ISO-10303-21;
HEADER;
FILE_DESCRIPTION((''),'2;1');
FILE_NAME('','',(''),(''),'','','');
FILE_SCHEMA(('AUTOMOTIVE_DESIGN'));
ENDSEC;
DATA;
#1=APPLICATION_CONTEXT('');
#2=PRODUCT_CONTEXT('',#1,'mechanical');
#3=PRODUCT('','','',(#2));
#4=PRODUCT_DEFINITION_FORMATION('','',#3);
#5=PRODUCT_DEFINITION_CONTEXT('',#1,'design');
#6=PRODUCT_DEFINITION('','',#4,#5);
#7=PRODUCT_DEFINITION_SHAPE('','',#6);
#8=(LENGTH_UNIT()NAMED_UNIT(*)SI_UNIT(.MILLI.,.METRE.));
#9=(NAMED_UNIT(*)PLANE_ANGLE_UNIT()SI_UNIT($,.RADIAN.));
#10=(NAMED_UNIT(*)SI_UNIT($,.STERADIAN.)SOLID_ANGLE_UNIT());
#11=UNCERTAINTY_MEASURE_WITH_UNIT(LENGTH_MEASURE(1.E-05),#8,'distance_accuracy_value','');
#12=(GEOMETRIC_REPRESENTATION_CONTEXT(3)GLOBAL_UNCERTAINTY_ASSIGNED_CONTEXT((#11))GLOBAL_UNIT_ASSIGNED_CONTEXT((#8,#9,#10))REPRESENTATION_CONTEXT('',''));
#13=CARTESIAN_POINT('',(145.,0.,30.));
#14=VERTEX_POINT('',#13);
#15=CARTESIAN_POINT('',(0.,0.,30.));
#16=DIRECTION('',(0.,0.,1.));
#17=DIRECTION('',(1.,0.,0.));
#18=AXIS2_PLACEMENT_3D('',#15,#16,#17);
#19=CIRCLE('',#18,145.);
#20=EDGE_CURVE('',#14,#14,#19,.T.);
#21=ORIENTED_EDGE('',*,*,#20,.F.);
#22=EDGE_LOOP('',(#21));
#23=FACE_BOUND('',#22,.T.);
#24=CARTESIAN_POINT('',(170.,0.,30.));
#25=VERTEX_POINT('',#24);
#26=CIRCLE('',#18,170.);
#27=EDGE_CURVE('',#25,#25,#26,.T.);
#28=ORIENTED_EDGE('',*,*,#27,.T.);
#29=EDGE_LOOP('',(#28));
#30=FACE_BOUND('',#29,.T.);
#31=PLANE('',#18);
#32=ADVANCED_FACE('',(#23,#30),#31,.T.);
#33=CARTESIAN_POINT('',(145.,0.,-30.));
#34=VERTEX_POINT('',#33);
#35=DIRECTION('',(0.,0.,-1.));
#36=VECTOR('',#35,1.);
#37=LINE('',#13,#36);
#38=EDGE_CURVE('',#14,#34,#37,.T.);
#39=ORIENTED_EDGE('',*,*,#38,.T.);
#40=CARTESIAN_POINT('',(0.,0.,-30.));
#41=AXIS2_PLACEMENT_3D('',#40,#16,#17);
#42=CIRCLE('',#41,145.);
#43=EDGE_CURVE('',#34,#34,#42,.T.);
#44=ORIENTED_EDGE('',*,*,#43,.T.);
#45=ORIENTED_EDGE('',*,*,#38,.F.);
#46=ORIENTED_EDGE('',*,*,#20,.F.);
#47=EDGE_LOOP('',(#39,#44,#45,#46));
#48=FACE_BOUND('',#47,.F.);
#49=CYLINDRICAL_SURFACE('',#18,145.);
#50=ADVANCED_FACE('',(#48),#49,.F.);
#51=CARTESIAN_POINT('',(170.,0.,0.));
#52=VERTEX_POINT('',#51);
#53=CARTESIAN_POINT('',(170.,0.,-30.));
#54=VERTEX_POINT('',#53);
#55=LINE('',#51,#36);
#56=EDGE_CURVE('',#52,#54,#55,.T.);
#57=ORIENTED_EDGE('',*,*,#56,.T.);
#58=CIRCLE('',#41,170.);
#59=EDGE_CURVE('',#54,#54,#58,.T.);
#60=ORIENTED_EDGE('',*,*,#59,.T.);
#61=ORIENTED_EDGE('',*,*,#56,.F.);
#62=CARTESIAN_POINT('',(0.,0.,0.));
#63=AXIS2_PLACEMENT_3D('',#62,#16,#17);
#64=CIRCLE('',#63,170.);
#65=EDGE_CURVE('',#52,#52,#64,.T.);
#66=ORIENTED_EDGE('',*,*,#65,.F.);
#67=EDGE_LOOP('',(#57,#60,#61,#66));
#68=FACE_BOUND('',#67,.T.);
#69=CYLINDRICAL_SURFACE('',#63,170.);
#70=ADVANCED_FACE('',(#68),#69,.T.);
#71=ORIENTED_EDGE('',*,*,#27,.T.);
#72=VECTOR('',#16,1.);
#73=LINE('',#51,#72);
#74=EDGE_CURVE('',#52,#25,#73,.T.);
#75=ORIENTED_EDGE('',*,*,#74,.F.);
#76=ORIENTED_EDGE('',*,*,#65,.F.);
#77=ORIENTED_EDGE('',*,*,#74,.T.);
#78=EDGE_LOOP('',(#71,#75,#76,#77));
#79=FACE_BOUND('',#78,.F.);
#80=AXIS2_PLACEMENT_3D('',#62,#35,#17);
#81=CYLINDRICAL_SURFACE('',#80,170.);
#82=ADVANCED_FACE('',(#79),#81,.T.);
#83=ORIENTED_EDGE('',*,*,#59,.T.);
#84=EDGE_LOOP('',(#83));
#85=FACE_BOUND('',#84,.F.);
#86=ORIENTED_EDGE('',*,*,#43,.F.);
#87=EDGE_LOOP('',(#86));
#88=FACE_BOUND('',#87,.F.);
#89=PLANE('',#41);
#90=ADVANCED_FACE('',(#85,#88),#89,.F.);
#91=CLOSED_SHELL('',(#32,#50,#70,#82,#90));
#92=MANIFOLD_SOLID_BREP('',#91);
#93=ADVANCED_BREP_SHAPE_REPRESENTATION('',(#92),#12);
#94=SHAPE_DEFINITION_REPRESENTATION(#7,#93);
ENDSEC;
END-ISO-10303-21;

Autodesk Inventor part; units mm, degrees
ref_plane "YZ Plane" through (0, 0, 0) normal (1, 0, 0) x (0, 1, 0)
ref_plane "XZ Plane" through (0, 0, 0) normal (0, 1, 0) x (-1, 0, 0)
ref_plane "XY Plane" through (0, 0, 0) normal (0, 0, 1) x (1, 0, 0)
sketch "Sketch1" plane through (0, 0, 0) normal (0, 0, 1) x (1, 0, 0)
  circle A0 centre (0, 0) radius 170
  dimension "d0" = 340
extrude "Extrusion1" add sketch "Sketch1" along normal mid plane 60
sketch "Sketch2" plane through (0, 0, 30) normal (0, 0, 1) x (1, 0, 0)
  circle A0 centre (0, 0) radius 145
  dimension "d3" = 290
extrude "Extrusion2" cut sketch "Sketch2" against normal through all
properties part number "AGBL07-2"
